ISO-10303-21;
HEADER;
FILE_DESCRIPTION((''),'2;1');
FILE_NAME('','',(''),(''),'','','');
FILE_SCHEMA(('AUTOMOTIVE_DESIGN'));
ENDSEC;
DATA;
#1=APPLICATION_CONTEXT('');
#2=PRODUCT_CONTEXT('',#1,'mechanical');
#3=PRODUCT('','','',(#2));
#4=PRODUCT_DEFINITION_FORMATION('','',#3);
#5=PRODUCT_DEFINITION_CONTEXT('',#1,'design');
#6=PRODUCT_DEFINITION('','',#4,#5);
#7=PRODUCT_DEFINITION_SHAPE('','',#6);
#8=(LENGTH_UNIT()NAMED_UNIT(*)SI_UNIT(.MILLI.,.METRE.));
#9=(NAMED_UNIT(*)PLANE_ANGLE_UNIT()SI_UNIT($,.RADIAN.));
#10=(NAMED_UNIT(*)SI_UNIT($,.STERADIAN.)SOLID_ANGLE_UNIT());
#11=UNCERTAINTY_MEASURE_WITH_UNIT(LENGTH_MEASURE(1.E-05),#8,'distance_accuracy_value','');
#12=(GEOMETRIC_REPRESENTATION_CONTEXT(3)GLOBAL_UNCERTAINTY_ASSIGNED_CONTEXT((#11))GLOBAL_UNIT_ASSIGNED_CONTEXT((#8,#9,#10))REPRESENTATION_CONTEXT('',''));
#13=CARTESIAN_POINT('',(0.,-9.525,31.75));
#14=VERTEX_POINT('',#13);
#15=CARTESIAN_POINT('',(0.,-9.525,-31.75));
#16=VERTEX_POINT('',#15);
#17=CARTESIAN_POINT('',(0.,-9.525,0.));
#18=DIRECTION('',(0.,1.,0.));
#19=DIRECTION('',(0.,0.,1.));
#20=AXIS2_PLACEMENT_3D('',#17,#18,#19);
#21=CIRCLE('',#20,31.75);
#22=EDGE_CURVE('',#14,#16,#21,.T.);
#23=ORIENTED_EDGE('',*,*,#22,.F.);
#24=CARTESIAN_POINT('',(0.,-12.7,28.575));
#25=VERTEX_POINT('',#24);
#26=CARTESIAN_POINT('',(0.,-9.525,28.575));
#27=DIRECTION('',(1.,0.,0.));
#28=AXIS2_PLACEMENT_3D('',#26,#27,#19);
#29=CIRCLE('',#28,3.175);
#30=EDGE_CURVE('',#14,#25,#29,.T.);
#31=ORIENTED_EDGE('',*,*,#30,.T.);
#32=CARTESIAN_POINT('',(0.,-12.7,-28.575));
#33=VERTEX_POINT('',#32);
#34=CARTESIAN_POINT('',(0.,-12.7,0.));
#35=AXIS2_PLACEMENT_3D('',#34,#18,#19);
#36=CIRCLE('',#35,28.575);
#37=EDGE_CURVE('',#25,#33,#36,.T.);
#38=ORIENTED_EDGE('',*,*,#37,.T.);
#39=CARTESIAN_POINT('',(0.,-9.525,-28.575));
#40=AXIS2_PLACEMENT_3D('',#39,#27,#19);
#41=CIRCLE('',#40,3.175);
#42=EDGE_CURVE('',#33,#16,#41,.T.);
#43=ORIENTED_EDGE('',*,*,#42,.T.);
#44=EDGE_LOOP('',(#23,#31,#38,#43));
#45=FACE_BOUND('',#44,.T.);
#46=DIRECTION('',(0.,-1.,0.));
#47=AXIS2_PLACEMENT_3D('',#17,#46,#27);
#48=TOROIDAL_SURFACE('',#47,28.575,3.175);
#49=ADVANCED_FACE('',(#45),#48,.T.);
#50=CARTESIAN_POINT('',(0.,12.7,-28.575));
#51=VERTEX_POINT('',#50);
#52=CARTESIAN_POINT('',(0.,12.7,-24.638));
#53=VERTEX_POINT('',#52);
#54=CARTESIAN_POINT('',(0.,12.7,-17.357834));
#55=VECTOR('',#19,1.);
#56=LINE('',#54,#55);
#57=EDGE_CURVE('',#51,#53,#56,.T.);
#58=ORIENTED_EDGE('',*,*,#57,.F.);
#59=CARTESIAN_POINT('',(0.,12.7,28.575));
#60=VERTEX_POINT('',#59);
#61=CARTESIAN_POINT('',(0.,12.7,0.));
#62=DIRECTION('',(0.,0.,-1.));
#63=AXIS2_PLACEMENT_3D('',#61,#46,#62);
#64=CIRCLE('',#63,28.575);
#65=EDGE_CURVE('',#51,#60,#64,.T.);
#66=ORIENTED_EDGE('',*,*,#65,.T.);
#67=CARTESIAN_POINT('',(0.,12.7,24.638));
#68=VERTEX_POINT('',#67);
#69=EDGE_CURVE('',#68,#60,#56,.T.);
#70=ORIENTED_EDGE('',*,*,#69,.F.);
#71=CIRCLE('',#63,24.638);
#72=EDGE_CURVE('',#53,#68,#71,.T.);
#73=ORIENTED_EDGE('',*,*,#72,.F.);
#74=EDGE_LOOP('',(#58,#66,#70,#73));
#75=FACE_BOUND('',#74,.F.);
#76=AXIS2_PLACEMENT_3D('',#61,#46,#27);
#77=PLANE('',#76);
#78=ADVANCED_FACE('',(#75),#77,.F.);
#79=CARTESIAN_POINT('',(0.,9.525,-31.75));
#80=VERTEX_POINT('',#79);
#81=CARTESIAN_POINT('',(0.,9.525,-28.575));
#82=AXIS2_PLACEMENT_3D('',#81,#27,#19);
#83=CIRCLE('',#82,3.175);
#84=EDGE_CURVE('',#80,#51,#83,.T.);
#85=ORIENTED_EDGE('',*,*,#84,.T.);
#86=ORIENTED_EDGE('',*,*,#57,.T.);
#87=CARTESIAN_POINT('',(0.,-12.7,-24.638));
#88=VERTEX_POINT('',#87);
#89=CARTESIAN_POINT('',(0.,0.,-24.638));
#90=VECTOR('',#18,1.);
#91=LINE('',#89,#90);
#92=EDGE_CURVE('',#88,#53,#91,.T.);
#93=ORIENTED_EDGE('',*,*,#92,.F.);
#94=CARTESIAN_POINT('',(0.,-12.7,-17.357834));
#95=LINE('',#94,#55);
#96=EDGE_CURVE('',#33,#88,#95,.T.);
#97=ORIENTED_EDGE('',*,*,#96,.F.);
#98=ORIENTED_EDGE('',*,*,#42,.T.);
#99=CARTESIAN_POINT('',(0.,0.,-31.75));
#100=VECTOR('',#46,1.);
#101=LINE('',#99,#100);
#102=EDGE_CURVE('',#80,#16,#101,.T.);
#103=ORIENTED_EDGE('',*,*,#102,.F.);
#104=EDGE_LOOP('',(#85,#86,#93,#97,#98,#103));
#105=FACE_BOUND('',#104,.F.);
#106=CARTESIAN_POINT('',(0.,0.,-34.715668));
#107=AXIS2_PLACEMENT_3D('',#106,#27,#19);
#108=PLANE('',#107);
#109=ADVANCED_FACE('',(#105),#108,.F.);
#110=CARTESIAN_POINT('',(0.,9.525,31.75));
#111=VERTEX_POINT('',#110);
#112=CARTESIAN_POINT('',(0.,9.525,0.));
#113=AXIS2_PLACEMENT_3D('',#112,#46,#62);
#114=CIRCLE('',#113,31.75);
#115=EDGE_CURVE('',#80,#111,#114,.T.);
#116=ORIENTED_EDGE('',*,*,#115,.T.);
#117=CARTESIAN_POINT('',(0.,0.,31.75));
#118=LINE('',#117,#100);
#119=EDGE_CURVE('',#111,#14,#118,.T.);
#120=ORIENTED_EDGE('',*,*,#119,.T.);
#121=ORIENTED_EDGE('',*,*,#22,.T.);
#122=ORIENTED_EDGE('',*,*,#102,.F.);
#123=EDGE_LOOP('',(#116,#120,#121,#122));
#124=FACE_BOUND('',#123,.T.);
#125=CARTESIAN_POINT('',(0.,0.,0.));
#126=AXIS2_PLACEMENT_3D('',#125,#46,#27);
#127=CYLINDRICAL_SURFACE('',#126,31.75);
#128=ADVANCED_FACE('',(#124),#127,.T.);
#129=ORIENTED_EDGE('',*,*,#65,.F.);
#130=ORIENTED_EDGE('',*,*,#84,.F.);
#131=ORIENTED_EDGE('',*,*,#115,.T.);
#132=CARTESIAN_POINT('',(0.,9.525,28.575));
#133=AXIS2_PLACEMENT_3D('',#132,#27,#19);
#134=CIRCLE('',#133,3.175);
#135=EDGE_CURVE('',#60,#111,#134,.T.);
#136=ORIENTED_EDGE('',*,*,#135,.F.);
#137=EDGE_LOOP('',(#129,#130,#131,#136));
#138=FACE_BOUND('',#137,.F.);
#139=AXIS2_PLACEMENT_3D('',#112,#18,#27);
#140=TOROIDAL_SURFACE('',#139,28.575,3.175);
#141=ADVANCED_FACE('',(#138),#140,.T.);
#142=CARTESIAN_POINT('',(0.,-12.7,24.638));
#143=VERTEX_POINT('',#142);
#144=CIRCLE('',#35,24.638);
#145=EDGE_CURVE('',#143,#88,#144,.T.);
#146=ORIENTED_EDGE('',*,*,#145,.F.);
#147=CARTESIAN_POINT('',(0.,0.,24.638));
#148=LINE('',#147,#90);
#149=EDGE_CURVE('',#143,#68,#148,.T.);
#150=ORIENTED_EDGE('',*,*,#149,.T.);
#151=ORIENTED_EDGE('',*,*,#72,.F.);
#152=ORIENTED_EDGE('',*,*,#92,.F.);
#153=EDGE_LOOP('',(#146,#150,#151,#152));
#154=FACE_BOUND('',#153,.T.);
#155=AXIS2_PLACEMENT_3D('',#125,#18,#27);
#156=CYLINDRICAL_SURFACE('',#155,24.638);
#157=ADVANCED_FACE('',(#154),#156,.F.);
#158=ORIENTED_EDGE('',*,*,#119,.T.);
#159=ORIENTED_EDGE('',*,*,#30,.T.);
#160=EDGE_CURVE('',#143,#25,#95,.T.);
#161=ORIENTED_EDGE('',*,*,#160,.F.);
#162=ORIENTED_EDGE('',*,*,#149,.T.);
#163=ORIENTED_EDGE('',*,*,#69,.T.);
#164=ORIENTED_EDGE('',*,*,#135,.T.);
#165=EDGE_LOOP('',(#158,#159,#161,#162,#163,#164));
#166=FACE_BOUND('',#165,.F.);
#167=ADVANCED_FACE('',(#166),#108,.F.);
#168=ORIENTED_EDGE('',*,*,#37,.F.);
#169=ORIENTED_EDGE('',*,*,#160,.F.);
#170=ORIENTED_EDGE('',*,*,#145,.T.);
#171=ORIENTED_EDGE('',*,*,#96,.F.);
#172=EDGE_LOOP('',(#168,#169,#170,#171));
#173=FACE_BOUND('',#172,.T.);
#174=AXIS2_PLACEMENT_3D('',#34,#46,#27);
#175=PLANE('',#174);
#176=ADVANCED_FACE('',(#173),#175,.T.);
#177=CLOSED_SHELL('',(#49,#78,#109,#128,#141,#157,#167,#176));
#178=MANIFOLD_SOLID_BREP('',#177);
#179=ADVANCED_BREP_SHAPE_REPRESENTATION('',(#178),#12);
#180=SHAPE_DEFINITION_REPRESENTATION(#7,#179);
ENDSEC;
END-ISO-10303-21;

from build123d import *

# Parameters (mm, degrees)
F0_R     = 31.75
F0_R_2   = 24.638
F1_DEPTH = 12.7
F2_R     = 3.175
F3_W     = 32.752518
F3_H     = 69.030817
F4_DEPTH = 15.875


with BuildPart() as f1:
    # F0 (on Front) → F1 (new body, symmetric)
    with BuildSketch(Plane.XZ):
        Circle(F0_R)
        Circle(F0_R_2, mode=Mode.SUBTRACT)
    extrude(amount=F1_DEPTH, both=True)

    # F2
    f2_edges = [f1.edges().sort_by_distance(p)[0] for p in [
        (-31.75, -12.7, 0),
        (-31.75, 12.7, 0),
    ]]
    fillet(f2_edges, radius=F2_R)

    # F3 (on Front) → F4 (cut, symmetric)
    with BuildSketch(Plane.XZ):
        with Locations((-16.376259, -0.200259)):
            Rectangle(F3_W, F3_H)
    extrude(amount=F4_DEPTH, both=True, mode=Mode.SUBTRACT)


solid = f1.part
